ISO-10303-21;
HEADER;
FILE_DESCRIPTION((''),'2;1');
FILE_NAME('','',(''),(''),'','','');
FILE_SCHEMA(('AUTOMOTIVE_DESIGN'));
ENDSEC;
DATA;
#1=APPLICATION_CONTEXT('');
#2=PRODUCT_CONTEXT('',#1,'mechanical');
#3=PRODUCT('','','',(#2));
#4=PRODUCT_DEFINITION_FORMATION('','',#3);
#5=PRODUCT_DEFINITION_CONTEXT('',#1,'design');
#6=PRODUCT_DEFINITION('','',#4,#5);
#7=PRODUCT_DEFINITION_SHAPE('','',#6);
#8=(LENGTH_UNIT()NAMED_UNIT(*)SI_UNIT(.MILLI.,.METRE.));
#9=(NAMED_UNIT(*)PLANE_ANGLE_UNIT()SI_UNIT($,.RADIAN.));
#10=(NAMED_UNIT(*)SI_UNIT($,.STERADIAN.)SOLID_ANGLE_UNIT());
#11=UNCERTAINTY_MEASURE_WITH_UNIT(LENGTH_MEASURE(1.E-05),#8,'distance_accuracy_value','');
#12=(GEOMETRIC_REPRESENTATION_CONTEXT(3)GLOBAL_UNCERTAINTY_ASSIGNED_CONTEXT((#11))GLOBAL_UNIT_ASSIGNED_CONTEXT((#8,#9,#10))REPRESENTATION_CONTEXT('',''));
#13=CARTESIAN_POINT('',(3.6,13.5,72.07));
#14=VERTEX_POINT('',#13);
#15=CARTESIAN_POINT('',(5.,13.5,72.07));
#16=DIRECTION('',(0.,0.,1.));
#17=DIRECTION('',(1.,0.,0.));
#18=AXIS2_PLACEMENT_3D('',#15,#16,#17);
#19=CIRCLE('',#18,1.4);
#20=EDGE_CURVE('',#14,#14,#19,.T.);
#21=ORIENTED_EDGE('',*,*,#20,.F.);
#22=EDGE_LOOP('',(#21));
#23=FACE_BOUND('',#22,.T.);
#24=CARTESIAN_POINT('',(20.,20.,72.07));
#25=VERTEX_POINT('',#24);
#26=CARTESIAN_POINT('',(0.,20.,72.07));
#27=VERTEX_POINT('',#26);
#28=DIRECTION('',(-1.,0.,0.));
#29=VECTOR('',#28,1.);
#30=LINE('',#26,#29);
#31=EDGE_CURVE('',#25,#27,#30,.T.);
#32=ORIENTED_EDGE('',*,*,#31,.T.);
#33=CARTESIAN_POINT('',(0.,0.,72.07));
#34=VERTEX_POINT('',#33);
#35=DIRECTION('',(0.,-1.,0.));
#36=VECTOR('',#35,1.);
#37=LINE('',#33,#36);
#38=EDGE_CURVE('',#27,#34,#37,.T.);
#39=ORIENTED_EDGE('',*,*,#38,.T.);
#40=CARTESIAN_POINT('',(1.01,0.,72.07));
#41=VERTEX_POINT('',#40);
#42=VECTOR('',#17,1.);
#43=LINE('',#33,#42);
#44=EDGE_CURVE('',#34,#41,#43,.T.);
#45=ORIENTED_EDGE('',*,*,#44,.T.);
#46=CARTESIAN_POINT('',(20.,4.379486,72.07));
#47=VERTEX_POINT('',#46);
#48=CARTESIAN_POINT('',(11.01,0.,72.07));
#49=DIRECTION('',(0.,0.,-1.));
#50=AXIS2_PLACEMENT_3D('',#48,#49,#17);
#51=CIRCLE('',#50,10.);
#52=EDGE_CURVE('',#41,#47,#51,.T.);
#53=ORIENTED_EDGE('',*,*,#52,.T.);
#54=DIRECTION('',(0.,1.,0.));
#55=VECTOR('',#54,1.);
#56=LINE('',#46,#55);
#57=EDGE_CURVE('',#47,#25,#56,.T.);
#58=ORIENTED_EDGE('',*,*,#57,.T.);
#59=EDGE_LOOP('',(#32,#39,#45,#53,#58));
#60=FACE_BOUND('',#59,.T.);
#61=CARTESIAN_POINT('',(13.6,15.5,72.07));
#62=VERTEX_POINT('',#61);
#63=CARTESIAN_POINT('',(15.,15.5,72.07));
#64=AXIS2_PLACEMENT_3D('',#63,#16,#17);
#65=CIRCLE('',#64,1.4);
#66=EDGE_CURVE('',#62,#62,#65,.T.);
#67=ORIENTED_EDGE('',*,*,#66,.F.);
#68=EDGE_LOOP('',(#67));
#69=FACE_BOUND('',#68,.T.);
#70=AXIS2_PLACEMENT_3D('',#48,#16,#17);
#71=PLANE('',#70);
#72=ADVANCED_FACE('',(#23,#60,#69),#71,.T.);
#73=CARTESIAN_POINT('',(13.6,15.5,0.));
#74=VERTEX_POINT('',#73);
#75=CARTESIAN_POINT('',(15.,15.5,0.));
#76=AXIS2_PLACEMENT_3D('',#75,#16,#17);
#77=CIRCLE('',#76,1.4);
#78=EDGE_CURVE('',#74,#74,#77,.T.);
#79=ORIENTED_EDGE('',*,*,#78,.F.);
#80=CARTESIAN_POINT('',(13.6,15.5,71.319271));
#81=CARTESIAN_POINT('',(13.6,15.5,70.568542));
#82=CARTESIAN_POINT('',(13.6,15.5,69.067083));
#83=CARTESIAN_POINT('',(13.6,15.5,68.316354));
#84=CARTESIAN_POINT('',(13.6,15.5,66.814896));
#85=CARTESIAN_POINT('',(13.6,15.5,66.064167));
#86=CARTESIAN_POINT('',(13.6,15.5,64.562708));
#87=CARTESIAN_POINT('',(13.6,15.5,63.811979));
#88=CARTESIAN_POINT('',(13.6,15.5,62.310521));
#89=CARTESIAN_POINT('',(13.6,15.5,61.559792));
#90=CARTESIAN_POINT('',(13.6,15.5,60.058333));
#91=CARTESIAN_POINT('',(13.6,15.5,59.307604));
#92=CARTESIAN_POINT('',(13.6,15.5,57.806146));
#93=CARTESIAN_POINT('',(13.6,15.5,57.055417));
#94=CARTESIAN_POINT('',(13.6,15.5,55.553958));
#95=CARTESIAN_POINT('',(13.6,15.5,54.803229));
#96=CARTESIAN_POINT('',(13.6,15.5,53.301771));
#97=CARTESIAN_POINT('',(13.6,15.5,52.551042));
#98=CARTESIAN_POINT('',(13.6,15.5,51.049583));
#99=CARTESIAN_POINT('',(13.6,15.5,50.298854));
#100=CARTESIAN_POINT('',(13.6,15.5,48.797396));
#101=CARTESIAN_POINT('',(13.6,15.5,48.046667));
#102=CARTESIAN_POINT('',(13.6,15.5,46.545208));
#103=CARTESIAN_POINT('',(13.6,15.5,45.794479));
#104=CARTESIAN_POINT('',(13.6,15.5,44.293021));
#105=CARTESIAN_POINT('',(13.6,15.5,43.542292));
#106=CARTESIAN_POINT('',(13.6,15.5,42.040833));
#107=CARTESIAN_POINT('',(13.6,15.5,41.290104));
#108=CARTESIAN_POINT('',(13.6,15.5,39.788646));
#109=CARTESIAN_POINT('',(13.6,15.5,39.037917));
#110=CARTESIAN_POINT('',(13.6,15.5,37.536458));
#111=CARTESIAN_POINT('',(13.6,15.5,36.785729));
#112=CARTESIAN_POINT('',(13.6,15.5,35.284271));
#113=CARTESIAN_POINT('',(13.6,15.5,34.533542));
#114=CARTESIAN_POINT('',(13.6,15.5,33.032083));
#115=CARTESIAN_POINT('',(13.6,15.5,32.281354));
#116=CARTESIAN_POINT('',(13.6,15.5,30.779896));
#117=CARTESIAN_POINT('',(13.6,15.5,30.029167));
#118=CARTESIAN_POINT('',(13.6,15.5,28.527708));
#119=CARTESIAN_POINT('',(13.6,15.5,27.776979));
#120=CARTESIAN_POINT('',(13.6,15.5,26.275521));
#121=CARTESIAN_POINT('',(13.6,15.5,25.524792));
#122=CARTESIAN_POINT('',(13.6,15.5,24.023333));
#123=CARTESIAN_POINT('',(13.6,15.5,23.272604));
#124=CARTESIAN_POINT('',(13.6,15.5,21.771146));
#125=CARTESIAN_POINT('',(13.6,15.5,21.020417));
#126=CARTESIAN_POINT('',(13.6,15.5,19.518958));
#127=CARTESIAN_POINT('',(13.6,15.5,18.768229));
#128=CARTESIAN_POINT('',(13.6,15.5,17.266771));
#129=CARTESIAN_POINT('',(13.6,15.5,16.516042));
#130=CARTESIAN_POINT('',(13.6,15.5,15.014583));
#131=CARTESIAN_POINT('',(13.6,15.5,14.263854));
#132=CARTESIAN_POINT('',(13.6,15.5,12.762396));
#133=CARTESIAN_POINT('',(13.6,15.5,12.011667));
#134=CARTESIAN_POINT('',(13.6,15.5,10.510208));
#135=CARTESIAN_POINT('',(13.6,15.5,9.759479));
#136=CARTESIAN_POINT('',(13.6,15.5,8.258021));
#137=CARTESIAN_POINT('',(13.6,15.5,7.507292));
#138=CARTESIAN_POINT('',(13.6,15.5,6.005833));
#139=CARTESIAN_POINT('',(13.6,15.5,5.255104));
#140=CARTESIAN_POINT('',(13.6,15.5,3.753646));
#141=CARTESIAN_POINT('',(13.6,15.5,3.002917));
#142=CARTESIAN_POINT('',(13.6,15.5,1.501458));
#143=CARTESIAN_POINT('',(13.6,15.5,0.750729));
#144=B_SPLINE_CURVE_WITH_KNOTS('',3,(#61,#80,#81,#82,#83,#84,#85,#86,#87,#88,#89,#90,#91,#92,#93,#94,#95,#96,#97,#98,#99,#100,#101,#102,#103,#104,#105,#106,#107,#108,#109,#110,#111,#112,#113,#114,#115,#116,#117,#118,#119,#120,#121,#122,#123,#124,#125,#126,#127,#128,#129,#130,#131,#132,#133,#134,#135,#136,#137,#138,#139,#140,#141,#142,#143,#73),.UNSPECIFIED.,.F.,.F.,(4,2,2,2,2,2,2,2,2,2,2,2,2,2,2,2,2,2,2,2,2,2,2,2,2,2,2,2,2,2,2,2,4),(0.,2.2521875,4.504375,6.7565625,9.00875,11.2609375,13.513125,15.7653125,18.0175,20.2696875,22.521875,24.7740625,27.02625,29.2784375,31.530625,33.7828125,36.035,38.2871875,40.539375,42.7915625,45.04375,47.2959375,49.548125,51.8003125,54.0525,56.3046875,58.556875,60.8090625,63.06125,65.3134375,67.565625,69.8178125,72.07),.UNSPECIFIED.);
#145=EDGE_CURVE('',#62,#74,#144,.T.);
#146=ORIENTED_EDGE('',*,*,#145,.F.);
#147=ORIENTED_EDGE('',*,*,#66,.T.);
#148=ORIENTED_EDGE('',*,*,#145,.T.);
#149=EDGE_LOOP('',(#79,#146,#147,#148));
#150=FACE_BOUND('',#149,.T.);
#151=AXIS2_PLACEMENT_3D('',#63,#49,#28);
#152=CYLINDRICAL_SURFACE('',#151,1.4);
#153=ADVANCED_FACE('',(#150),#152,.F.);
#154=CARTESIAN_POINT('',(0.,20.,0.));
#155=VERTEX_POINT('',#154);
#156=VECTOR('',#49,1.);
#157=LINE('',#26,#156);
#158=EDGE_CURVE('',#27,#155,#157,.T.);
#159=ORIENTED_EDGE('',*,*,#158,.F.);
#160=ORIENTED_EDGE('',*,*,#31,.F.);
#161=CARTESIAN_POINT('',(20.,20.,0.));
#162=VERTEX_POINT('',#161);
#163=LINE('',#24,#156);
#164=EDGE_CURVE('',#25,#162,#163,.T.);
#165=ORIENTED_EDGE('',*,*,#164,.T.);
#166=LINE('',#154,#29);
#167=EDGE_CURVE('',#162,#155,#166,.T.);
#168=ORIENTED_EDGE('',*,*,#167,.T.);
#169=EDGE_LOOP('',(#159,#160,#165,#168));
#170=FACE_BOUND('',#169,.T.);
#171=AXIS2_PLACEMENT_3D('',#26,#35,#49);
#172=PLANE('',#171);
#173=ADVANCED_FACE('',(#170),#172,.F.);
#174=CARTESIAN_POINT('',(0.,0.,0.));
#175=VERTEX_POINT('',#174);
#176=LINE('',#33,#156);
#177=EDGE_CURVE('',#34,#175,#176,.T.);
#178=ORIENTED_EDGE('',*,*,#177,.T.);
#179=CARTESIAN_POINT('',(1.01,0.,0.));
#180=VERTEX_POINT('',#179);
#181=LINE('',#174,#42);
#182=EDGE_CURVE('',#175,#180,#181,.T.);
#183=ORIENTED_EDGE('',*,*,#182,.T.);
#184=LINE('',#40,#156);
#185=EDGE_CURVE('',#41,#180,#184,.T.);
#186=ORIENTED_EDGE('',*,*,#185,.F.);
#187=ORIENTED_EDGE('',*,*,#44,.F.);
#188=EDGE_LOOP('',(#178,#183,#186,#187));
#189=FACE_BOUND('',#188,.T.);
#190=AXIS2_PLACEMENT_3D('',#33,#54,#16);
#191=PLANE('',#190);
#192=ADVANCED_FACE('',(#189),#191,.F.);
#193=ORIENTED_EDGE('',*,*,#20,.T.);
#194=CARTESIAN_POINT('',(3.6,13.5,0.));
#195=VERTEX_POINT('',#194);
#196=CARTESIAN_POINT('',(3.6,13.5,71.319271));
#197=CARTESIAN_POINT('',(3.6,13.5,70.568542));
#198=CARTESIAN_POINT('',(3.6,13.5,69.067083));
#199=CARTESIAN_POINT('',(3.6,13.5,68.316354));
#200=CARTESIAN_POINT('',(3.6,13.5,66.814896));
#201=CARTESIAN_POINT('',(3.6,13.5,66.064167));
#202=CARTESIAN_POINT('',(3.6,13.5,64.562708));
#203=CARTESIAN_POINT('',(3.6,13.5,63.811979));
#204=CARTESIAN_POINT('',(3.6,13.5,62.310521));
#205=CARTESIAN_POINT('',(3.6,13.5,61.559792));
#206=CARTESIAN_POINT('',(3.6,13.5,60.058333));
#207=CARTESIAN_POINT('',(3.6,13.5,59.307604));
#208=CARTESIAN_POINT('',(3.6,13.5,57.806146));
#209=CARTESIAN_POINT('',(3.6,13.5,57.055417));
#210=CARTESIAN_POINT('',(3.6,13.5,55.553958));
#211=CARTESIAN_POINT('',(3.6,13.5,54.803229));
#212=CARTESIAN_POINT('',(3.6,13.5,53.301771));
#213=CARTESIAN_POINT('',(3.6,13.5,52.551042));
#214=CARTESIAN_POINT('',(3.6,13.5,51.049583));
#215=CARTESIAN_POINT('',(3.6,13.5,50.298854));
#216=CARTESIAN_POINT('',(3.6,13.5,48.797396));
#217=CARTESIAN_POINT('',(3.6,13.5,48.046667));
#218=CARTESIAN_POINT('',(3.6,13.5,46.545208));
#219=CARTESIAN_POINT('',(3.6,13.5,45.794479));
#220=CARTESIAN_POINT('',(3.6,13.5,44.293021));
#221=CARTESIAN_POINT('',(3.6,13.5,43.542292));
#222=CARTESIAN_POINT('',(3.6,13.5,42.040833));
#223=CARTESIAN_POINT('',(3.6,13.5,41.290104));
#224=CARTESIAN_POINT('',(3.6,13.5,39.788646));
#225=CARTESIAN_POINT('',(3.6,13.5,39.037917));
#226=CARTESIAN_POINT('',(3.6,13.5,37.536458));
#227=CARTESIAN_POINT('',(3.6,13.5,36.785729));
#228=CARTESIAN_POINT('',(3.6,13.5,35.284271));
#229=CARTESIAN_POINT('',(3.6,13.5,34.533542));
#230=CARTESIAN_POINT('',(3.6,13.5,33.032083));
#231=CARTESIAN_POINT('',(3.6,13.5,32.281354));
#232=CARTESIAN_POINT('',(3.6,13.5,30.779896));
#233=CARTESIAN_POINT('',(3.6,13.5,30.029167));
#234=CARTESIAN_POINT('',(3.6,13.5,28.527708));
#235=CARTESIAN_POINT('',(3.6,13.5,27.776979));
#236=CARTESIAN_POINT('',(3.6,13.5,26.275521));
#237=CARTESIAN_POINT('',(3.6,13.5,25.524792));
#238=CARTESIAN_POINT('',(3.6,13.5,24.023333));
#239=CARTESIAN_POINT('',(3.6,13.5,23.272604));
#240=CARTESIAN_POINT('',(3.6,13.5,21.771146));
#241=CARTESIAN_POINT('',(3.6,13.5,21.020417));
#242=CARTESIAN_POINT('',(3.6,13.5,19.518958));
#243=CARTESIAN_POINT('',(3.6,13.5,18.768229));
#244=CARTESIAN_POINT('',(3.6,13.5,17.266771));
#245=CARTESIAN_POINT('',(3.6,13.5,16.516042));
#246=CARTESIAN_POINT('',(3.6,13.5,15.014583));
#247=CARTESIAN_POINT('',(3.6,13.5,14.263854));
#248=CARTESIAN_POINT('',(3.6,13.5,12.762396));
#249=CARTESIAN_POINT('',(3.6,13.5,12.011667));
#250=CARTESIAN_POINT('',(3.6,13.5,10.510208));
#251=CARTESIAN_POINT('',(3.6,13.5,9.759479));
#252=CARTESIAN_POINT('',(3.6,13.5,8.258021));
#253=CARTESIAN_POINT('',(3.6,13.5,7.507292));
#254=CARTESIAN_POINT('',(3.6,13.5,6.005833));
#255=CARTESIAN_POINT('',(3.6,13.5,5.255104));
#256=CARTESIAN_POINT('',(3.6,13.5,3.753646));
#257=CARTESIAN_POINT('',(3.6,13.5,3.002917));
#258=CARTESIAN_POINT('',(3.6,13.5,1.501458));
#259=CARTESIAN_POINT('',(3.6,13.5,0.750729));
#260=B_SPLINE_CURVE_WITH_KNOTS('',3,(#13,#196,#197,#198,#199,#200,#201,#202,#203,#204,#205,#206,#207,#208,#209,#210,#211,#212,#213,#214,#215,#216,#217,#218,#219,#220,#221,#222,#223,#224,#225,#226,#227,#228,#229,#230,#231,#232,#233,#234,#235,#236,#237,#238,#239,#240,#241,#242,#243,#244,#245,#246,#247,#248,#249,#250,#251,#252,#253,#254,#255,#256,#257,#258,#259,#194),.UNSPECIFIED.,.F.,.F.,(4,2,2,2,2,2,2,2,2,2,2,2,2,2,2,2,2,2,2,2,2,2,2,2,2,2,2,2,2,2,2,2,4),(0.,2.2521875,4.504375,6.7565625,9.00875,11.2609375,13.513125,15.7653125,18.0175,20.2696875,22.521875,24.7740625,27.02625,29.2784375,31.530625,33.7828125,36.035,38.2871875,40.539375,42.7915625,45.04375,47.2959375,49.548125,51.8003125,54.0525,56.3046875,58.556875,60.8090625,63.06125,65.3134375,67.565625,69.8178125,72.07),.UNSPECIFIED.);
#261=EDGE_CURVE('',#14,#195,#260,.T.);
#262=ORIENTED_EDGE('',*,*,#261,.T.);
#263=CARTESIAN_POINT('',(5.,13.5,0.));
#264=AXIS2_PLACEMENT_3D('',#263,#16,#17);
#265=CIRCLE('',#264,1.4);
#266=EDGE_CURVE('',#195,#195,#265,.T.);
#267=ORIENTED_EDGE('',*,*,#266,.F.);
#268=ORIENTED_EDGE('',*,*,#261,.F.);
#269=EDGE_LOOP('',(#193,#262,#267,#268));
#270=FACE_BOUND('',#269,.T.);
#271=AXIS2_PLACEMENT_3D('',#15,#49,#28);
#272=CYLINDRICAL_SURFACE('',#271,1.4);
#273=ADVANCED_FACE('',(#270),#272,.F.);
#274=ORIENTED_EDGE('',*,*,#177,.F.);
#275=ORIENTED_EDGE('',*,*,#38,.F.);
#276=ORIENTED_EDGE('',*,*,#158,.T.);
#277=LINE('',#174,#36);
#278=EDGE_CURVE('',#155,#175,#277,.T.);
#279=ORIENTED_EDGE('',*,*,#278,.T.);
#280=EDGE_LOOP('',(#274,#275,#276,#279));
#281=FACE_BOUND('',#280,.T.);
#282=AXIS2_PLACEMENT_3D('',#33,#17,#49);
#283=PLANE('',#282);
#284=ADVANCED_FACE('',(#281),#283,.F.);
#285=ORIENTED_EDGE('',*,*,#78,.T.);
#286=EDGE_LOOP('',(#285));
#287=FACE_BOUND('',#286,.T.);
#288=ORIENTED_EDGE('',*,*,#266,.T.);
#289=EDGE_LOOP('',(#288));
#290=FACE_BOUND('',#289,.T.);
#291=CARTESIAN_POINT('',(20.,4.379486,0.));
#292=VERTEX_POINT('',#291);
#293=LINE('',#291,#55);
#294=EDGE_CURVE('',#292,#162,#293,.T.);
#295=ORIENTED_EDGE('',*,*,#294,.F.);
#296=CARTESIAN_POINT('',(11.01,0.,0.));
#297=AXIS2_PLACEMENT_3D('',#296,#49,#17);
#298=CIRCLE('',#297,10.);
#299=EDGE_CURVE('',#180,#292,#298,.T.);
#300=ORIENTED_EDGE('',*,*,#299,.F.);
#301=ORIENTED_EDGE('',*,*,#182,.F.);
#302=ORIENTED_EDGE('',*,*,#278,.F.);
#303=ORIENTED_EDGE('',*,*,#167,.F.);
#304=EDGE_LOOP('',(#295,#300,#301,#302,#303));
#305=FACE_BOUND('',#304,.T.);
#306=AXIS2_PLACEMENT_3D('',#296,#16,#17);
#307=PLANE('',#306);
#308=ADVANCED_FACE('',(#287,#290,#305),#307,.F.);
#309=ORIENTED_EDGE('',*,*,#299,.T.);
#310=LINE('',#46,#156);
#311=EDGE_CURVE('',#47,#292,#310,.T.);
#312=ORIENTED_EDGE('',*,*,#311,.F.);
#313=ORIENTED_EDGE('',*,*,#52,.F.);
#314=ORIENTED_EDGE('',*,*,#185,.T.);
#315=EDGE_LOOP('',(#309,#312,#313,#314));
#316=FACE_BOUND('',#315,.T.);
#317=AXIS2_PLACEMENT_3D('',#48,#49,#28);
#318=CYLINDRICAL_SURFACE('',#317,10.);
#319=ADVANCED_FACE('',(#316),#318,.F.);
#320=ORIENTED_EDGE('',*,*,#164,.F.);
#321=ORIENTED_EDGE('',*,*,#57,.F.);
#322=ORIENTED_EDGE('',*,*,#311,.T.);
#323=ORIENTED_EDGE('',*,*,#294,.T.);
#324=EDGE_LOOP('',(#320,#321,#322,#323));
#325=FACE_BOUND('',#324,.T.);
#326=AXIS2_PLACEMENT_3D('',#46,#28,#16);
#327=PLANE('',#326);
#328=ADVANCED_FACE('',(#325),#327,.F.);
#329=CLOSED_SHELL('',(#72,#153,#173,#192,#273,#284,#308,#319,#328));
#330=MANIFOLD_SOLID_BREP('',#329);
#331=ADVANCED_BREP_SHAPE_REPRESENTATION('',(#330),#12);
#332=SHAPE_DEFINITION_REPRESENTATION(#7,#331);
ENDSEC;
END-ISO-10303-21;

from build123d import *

# Parameters (mm, degrees)
SKETCH1_R           = 1.4
BOSS_EXTRUDE1_DEPTH = 72.07


with BuildPart() as part:
    # Sketch1 → Boss-Extrude1 (new body)
    with BuildSketch(Plane.XY):
        with BuildLine():
            Line((0, 0), (1.01, 0))
            ThreePointArc((1.01, 0), (8.762779495, 9.744229061), (20, 4.379486271))
            Line((20, 4.379486271), (20, 20))
            Line((20, 20), (0, 20))
            Line((0, 20), (0, 0))
        make_face()
        with Locations(Location((5, 13.5, 0), (0, 0, 180))):
            Circle(SKETCH1_R, mode=Mode.SUBTRACT)
        with Locations(Location((15, 15.5, 0), (0, 0, 180))):
            Circle(SKETCH1_R, mode=Mode.SUBTRACT)
    extrude(amount=BOSS_EXTRUDE1_DEPTH)


solid = part.part
